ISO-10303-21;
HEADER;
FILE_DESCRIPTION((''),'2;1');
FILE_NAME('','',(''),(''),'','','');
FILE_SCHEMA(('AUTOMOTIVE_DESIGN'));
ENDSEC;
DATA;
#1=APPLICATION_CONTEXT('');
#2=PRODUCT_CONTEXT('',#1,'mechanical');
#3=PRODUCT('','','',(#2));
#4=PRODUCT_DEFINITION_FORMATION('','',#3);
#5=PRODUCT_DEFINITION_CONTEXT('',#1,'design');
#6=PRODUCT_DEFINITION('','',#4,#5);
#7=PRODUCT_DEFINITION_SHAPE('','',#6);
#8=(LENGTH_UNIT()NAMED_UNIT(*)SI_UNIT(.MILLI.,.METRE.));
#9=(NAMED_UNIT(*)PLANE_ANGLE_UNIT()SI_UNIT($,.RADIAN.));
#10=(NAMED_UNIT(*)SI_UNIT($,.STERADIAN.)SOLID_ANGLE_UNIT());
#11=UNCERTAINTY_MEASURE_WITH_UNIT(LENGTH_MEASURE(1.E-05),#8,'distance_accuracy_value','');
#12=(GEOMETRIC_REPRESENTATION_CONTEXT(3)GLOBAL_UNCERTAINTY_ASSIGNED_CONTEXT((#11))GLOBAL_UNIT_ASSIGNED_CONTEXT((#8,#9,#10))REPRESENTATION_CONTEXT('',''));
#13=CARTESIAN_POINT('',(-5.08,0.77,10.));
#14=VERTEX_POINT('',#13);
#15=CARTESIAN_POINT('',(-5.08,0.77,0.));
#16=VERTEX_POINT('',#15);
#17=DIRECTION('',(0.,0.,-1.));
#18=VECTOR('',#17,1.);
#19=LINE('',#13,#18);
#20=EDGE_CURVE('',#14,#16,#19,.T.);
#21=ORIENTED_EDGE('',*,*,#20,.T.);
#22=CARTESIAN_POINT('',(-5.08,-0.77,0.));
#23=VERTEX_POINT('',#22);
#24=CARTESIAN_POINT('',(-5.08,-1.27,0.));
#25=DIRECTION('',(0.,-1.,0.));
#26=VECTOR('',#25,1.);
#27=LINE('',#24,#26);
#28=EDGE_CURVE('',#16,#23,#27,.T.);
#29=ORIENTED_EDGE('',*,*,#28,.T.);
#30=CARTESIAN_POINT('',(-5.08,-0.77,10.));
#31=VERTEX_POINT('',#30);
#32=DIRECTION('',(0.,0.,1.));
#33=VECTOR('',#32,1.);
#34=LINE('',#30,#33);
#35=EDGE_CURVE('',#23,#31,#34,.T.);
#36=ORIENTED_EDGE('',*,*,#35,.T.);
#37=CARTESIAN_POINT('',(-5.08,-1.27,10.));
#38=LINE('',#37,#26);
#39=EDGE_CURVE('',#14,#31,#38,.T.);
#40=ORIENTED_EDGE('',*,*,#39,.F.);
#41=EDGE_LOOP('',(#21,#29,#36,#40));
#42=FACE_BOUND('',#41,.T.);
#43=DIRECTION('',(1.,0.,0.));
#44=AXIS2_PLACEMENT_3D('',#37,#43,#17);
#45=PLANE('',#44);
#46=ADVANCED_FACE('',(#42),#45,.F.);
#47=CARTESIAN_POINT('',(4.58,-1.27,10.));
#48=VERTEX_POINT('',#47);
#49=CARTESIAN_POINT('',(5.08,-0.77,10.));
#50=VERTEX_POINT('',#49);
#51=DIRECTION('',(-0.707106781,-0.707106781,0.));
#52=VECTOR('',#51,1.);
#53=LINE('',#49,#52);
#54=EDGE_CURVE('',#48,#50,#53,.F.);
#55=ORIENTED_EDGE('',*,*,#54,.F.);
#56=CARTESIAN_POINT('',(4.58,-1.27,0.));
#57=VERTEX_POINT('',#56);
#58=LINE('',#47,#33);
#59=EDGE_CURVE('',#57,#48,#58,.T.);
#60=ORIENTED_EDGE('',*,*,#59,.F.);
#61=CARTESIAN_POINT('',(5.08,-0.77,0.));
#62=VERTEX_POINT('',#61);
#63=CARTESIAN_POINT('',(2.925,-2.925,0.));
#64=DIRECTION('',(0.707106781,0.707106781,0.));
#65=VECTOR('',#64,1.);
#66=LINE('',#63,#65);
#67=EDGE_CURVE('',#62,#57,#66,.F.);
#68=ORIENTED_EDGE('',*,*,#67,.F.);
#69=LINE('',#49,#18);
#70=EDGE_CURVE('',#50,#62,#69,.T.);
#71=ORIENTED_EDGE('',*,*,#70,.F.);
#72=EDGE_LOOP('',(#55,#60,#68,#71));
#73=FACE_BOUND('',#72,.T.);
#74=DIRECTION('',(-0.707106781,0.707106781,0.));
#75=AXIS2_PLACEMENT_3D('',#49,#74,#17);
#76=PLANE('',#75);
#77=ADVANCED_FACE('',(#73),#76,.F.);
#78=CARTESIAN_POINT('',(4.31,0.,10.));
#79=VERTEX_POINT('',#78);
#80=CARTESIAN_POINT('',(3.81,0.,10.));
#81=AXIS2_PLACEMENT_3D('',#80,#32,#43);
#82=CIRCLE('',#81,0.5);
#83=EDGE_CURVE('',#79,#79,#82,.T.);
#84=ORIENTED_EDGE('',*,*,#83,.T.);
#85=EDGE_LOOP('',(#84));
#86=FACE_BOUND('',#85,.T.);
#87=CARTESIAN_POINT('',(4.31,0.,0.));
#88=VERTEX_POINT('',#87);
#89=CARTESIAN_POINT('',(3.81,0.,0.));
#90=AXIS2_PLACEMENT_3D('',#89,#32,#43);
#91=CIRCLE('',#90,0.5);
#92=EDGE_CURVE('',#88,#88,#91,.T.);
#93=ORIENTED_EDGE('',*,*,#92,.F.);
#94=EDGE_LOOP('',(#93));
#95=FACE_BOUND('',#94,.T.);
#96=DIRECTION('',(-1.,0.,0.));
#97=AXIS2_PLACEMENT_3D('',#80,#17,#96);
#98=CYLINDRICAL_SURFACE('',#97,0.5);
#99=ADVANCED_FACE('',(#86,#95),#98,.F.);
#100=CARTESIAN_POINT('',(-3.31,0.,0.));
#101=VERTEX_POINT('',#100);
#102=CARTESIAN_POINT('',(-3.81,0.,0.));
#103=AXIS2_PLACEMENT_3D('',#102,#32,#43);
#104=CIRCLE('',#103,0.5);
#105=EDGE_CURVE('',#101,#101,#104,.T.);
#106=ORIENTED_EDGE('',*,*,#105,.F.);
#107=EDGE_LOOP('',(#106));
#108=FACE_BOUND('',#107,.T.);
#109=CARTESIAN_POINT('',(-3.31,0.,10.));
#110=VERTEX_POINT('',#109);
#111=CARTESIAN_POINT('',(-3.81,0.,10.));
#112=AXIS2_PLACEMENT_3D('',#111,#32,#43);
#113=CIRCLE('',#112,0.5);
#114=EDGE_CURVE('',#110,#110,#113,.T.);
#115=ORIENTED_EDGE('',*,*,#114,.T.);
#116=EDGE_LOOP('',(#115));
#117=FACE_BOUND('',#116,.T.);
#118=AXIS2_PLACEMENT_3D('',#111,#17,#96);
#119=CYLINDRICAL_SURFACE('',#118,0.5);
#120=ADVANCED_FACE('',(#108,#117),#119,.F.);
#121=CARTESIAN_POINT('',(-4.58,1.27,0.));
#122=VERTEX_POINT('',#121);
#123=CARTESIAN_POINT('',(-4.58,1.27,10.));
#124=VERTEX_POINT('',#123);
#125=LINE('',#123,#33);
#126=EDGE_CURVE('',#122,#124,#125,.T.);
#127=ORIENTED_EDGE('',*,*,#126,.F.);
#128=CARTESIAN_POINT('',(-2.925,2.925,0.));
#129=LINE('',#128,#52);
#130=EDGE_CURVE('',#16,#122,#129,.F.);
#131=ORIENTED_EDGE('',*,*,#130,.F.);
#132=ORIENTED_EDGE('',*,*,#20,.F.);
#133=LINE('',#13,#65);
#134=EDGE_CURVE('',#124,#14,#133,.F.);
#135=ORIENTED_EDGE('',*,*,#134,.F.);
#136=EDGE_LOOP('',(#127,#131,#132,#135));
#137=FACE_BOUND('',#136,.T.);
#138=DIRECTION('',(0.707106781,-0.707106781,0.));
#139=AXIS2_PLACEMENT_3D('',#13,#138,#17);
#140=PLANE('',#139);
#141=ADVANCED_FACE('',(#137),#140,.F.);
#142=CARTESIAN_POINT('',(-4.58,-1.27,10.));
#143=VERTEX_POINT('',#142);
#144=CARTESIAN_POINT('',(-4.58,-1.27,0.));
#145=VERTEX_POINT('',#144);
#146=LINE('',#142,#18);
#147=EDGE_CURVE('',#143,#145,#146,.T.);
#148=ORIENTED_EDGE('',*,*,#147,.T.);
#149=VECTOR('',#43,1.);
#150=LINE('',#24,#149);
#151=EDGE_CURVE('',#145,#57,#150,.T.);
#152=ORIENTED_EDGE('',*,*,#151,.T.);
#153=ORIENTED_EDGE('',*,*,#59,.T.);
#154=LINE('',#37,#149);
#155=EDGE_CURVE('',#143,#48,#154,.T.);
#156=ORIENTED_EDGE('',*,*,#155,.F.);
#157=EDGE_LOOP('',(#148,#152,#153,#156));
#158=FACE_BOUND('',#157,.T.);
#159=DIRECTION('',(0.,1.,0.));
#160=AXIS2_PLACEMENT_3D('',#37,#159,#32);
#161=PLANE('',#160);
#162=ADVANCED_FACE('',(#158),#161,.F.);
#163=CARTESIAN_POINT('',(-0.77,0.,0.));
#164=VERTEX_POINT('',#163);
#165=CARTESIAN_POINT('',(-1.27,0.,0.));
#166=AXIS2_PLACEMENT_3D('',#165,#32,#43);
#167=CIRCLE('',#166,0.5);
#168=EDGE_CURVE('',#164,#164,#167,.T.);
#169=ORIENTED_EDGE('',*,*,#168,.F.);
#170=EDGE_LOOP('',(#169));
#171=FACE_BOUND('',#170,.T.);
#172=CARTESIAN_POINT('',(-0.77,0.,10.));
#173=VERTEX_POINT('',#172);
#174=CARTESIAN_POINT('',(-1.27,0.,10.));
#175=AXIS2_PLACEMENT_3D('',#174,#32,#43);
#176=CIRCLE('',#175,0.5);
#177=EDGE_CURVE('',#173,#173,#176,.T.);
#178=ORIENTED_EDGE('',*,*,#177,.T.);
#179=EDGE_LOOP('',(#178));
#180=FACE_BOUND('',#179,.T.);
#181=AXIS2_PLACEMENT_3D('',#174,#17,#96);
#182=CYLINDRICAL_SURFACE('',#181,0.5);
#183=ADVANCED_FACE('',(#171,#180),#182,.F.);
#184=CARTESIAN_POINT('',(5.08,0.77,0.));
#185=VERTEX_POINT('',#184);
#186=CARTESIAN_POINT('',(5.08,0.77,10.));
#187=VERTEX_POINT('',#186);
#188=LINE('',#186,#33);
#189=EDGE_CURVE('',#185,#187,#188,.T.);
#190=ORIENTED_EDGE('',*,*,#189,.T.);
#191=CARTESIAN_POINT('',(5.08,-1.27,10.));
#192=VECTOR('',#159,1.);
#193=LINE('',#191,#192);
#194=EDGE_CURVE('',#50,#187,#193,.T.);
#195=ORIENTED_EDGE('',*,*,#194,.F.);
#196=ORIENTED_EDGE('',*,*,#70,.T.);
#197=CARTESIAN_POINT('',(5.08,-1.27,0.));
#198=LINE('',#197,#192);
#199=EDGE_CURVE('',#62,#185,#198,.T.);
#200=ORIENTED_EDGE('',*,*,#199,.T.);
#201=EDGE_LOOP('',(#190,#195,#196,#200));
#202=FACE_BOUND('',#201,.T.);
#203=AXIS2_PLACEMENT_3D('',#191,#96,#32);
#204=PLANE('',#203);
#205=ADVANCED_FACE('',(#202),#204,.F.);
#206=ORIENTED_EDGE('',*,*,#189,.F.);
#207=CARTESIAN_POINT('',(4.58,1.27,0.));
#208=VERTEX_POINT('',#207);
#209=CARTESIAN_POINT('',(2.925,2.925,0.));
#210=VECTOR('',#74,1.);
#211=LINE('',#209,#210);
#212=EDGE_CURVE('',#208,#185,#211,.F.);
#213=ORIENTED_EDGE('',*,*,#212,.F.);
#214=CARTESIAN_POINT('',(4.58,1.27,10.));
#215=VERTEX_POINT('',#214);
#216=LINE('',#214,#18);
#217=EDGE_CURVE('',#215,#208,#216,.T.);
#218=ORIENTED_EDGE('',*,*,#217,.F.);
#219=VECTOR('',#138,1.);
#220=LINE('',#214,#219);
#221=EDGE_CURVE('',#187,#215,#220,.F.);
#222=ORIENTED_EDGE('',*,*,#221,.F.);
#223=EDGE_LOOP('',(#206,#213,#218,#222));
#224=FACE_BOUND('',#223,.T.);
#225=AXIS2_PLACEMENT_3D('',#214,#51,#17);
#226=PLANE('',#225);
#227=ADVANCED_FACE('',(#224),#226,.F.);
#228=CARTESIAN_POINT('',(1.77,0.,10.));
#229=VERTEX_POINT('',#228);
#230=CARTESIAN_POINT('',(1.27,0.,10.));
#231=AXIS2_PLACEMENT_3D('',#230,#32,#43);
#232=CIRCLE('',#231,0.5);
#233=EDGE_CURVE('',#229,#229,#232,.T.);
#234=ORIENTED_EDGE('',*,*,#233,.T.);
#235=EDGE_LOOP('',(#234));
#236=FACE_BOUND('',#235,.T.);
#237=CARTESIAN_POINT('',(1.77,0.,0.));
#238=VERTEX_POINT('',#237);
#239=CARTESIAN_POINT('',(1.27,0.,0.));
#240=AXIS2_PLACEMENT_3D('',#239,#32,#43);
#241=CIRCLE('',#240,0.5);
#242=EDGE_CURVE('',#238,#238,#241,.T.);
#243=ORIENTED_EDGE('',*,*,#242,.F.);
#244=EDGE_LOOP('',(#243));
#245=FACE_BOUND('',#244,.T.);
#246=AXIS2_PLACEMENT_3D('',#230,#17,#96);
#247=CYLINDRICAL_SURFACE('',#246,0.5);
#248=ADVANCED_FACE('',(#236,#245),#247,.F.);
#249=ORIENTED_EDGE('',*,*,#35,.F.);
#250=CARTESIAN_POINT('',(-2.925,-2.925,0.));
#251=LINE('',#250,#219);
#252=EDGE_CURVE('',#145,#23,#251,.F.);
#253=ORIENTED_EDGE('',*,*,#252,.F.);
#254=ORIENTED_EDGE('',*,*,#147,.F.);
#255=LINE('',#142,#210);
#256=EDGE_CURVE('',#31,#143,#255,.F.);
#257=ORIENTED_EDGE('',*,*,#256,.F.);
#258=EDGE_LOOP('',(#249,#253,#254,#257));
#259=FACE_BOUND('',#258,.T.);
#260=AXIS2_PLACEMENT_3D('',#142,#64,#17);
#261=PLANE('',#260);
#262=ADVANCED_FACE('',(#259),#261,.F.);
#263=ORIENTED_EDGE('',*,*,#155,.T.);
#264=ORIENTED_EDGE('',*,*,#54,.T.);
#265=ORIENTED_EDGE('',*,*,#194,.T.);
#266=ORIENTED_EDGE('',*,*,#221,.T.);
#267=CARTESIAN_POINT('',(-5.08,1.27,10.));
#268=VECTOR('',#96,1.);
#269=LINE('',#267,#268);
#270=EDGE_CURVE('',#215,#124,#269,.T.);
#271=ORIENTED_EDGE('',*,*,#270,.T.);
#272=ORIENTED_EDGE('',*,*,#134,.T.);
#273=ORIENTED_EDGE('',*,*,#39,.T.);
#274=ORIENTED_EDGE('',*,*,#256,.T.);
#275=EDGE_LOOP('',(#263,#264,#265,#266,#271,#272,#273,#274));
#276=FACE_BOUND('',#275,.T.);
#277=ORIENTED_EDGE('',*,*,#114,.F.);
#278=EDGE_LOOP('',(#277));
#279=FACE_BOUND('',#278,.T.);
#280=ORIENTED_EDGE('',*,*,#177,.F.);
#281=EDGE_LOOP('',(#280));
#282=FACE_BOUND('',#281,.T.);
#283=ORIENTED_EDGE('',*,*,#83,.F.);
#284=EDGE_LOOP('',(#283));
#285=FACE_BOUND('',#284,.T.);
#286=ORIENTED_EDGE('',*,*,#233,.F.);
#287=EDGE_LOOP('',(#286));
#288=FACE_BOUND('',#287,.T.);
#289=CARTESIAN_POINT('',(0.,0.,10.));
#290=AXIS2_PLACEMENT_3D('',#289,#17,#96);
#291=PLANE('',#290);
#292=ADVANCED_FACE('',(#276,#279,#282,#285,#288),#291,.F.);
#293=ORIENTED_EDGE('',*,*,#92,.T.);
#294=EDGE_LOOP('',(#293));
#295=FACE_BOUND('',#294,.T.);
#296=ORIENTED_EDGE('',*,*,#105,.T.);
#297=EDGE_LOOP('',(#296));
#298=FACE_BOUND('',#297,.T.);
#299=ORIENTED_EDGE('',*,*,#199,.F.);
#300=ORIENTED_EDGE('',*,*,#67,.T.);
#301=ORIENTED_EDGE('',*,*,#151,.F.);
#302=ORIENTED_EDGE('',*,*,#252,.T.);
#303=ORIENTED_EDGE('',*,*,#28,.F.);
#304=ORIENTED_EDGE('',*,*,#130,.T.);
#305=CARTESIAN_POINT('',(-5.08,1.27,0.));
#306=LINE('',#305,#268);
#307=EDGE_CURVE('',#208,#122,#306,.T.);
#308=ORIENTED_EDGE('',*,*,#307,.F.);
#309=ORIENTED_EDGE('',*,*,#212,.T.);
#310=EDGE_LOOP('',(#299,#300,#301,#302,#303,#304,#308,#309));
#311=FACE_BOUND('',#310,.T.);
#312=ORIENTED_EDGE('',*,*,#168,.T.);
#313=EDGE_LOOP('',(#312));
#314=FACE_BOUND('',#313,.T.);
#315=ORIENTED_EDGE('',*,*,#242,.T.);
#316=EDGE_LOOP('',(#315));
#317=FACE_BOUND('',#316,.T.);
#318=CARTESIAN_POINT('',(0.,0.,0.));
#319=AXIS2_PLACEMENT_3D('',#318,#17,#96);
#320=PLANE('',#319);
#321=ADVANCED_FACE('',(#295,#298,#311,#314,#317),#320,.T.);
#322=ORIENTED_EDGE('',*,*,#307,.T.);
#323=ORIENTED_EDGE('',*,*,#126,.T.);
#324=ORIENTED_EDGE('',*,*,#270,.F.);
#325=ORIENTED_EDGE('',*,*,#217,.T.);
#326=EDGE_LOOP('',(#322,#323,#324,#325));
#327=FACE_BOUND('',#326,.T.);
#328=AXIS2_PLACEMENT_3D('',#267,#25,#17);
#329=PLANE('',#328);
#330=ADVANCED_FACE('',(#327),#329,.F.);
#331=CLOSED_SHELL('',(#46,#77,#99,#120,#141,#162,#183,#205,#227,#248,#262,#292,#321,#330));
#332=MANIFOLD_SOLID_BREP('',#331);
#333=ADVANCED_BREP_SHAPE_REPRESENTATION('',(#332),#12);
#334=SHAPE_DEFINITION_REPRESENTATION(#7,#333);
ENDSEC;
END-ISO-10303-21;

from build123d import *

# Parameters (mm, degrees)
SKETCH_2_W      = 10.16
SKETCH_2_H      = 2.54
SKETCH_2_R      = 0.5
EXTRUDE_1_DEPTH = 10
CHAMFER_2_SIZE  = 0.5


with BuildPart() as part:
    # Эскиз2 → Бобышка-Вытянуть1 (new body)
    with BuildSketch(Plane.XY):
        Rectangle(SKETCH_2_W, SKETCH_2_H)
        with Locations((-3.81, 0)):
            Circle(SKETCH_2_R, mode=Mode.SUBTRACT)
        with Locations((-1.27, 0)):
            Circle(SKETCH_2_R, mode=Mode.SUBTRACT)
        with Locations((1.27, 0)):
            Circle(SKETCH_2_R, mode=Mode.SUBTRACT)
        with Locations((3.81, 0)):
            Circle(SKETCH_2_R, mode=Mode.SUBTRACT)
    extrude(amount=EXTRUDE_1_DEPTH)

    # Фаска2
    chamfer_2_edges = [part.edges().sort_by_distance(p)[0] for p in [
        (5.08, -1.27, 5),
        (-5.08, -1.27, 5),
        (-5.08, 1.27, 5),
        (5.08, 1.27, 5),
    ]]
    chamfer(chamfer_2_edges, length=CHAMFER_2_SIZE)


solid = part.part
